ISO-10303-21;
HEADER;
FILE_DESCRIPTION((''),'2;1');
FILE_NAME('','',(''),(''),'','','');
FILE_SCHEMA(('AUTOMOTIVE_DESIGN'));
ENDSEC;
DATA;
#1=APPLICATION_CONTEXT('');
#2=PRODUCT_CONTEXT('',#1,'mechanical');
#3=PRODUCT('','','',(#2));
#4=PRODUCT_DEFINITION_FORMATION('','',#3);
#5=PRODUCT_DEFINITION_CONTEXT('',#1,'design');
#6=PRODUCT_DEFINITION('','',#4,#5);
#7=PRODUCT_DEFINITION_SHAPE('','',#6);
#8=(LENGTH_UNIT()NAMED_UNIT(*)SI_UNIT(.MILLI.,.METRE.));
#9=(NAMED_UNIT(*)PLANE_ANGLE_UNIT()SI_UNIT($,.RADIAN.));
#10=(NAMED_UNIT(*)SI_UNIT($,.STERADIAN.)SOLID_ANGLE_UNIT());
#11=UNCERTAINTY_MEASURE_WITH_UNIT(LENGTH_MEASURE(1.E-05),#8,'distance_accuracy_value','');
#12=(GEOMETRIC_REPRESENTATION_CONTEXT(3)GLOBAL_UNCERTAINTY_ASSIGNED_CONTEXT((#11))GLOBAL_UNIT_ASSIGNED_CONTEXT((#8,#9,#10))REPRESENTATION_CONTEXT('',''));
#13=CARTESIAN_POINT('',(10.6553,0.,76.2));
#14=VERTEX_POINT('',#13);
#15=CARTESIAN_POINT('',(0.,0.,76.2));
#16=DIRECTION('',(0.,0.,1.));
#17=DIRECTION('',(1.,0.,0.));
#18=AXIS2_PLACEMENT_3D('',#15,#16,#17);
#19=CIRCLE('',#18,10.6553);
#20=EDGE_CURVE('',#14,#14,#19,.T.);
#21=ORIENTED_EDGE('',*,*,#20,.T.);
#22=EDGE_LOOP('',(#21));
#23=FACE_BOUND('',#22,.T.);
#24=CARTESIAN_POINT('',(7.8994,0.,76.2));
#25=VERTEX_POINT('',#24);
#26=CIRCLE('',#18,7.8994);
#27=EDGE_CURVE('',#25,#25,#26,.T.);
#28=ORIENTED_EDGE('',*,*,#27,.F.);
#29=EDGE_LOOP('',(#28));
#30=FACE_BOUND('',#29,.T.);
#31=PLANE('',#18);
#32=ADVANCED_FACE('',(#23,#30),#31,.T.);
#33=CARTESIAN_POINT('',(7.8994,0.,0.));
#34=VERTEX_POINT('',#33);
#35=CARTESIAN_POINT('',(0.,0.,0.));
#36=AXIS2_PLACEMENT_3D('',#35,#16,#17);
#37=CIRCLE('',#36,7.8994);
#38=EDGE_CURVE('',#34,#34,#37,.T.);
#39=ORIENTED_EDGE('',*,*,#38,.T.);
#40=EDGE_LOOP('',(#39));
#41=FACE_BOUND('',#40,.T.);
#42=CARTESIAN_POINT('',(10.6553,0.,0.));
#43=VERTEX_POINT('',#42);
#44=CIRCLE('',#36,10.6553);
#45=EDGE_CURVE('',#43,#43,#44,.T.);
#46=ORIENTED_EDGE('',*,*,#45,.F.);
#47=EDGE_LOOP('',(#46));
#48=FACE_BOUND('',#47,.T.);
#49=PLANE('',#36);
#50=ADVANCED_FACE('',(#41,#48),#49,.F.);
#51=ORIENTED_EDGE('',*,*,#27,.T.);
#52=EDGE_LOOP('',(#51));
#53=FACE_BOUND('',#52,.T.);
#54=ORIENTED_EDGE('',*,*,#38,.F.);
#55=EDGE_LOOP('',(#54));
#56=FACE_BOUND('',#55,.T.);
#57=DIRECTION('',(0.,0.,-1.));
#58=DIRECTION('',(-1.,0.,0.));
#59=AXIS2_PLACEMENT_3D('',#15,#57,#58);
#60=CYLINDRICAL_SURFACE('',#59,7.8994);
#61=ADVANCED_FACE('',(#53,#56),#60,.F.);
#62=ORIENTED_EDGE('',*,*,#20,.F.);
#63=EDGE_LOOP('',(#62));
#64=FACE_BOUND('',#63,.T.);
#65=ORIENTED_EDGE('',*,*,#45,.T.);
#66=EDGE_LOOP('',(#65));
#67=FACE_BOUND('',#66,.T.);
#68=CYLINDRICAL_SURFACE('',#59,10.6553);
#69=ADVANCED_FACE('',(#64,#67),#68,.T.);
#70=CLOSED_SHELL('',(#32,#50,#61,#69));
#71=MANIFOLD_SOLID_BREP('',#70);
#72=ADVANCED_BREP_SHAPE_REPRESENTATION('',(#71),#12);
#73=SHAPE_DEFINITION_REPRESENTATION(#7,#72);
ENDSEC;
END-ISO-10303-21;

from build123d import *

# Parameters (mm, degrees)
SKETCH1_R           = 10.6553
SKETCH1_R_2         = 7.8994
BOSS_EXTRUDE1_DEPTH = 76.2


with BuildPart() as part:
    # Sketch1 → Boss-Extrude1 (new body)
    with BuildSketch(Plane.XY):
        Circle(SKETCH1_R)
        Circle(SKETCH1_R_2, mode=Mode.SUBTRACT)
    extrude(amount=BOSS_EXTRUDE1_DEPTH)


solid = part.part
